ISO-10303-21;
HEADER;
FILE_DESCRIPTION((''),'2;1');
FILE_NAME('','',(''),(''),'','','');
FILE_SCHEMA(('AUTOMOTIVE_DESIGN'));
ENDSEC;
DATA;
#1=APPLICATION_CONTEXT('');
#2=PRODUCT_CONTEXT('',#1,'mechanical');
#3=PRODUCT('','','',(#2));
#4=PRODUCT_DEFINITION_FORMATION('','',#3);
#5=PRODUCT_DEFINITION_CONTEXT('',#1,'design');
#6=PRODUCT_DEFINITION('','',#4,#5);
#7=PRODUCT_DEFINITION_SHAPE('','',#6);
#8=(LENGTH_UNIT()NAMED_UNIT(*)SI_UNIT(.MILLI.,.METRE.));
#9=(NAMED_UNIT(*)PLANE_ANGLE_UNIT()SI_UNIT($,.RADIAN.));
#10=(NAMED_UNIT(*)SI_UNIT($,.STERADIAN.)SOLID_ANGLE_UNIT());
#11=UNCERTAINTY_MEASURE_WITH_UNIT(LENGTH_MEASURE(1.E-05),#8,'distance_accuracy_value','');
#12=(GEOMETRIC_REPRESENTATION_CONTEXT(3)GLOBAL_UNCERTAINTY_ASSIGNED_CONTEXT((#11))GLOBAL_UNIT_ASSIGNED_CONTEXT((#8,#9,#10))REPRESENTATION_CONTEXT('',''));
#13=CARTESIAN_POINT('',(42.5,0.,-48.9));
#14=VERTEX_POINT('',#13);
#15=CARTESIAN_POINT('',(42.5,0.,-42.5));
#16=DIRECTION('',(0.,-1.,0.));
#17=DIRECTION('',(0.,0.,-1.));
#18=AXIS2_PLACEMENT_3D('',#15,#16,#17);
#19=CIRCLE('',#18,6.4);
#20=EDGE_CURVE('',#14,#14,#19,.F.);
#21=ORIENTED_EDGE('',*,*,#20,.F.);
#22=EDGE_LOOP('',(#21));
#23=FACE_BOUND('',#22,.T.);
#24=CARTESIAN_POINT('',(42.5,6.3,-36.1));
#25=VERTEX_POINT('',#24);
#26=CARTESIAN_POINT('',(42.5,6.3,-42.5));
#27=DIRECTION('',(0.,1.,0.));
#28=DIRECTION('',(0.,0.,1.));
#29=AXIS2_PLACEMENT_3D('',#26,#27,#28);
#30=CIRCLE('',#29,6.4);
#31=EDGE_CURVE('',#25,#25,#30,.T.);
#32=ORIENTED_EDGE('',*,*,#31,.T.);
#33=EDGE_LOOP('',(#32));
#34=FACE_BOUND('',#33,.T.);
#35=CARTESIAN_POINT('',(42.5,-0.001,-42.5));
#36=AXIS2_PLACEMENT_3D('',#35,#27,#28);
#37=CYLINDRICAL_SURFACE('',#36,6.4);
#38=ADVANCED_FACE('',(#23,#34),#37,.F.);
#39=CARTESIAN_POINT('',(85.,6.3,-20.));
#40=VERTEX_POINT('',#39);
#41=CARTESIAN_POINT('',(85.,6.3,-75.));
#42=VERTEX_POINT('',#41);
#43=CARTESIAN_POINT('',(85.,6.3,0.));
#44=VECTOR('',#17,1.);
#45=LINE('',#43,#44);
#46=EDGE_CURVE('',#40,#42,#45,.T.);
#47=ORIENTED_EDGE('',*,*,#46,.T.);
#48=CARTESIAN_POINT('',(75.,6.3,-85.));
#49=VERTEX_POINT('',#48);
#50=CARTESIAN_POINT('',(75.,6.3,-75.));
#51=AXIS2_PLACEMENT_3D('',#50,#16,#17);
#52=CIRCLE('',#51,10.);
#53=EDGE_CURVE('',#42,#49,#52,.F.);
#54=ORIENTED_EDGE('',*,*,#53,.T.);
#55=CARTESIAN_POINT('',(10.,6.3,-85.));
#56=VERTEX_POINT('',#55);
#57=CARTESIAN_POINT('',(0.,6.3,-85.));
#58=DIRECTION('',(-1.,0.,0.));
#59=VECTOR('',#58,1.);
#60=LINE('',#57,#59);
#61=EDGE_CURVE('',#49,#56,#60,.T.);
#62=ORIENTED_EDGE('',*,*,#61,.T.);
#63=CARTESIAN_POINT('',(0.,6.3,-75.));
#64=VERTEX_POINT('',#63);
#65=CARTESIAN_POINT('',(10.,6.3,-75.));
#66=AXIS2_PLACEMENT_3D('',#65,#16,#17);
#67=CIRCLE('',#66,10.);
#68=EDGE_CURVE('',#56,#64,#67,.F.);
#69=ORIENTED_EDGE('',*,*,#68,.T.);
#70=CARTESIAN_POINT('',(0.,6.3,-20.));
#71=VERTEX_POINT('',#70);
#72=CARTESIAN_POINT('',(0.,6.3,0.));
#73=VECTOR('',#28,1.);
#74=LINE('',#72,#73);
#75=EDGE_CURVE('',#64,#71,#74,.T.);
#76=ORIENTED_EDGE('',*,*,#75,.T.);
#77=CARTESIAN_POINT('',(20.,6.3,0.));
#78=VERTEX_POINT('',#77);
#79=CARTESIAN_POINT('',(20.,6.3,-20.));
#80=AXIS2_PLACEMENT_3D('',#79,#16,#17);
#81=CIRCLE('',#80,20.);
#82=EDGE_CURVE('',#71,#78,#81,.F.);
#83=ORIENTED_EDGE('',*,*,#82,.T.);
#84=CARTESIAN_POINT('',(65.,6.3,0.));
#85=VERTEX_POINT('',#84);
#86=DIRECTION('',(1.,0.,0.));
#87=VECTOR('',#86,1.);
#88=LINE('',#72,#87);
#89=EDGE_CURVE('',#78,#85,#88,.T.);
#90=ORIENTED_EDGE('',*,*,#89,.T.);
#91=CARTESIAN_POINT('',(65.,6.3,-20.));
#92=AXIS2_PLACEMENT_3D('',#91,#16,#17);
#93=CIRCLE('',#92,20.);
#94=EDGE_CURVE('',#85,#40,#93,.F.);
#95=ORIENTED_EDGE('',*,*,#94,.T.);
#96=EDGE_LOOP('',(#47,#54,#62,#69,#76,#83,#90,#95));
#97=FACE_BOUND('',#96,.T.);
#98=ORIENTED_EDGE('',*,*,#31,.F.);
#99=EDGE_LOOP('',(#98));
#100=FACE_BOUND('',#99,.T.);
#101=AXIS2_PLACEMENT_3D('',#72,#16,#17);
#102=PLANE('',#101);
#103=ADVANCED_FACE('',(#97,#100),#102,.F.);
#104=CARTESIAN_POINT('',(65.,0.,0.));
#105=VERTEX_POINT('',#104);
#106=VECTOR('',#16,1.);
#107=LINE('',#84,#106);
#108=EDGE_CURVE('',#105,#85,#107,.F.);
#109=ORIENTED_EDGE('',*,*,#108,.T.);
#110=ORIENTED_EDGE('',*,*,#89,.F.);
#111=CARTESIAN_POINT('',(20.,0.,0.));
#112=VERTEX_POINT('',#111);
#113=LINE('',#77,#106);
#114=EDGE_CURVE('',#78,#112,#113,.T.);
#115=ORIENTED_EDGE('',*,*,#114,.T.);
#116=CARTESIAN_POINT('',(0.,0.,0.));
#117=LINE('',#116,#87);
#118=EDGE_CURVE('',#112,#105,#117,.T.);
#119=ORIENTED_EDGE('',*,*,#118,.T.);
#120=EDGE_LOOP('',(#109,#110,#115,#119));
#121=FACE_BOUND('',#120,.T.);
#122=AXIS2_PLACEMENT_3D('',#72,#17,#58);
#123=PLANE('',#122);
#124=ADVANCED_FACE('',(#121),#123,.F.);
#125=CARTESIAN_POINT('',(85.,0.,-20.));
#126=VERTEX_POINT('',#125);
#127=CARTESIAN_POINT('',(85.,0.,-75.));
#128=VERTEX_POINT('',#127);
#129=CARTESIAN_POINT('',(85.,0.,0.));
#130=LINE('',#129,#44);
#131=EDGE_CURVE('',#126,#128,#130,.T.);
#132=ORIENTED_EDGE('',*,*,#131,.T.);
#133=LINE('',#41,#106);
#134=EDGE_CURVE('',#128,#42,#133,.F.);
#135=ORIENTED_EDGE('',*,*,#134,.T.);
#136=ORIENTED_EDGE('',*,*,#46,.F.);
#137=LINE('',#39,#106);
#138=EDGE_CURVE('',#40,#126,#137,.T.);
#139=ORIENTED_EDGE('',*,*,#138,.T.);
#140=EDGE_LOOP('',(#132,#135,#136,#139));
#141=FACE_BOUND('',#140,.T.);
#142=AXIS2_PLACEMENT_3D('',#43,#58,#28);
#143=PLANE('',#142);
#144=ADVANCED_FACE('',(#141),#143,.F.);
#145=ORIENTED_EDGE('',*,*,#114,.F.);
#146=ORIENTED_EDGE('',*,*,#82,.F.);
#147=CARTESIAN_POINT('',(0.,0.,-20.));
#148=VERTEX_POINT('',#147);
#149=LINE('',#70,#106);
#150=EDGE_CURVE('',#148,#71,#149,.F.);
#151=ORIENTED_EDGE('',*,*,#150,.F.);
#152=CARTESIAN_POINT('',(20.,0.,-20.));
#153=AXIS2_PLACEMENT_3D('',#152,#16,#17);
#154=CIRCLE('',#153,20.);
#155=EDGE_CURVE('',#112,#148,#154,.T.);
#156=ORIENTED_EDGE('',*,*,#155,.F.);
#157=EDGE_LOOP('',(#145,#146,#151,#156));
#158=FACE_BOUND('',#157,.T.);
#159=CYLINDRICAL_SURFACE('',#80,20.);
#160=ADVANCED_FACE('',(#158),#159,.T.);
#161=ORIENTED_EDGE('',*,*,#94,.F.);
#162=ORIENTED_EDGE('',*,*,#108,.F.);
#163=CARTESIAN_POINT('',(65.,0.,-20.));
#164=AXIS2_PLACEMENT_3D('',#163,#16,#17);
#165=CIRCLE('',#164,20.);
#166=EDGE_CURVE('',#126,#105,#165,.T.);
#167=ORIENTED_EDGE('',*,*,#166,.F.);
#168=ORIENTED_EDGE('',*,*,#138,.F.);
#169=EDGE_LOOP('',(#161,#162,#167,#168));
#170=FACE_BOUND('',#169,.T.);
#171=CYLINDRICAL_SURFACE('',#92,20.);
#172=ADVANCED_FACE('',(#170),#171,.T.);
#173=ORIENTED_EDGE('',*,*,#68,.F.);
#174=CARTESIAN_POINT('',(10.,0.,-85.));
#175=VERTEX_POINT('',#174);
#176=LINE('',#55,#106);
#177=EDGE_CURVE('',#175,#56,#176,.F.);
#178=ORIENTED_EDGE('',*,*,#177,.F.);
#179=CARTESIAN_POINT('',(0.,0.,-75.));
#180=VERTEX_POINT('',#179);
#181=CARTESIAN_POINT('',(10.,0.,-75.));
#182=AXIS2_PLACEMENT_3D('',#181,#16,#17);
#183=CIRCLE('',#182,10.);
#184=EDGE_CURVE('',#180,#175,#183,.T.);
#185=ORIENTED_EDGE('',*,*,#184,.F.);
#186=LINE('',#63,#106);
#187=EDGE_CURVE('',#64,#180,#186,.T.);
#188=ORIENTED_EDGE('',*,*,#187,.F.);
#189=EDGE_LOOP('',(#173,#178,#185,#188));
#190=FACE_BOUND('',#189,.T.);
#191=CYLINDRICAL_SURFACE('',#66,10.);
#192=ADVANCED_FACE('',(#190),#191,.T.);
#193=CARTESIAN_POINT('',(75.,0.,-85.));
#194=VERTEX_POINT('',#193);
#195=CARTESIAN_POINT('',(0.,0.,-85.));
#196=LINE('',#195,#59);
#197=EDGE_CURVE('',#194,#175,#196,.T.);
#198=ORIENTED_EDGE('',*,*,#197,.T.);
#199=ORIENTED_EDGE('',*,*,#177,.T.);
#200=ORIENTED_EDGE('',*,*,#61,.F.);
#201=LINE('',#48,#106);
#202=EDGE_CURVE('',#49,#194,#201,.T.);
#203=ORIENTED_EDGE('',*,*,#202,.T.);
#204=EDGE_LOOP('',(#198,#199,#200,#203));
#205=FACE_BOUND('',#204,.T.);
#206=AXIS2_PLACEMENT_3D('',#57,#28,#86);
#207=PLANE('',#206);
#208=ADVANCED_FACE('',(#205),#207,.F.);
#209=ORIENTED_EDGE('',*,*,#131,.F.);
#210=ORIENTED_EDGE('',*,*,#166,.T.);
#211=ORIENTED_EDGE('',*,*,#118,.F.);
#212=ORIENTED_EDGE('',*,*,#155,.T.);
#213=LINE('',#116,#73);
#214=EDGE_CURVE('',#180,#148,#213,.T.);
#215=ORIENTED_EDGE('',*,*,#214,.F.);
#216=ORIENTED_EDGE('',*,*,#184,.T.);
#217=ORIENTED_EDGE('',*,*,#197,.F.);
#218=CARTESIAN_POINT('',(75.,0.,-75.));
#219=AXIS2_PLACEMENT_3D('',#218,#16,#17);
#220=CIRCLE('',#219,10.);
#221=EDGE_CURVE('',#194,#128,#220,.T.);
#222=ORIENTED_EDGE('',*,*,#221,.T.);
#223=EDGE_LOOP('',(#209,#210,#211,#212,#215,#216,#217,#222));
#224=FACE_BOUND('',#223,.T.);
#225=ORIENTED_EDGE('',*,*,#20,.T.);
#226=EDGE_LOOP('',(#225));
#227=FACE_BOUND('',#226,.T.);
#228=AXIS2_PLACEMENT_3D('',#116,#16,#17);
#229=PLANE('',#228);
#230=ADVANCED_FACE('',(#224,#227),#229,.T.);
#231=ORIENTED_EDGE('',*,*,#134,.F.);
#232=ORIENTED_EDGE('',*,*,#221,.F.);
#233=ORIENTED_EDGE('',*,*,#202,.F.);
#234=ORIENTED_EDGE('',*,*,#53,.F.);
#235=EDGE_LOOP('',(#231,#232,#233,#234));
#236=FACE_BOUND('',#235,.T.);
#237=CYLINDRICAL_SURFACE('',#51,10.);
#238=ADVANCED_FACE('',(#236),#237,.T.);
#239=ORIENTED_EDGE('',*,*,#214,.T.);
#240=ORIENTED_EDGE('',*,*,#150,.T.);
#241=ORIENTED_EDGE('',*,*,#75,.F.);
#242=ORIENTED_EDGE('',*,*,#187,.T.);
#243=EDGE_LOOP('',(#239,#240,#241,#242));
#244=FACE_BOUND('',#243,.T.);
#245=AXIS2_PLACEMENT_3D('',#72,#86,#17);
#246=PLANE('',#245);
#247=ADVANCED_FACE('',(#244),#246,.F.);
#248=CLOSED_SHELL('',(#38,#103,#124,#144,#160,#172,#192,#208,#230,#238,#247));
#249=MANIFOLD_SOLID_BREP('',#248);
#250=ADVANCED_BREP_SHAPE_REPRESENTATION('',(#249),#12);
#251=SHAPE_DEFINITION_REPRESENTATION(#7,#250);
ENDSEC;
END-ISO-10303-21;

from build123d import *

# Parameters (mm, degrees)
SKETCH1_W           = 85
SKETCH1_H           = 85
BOSS_EXTRUDE1_DEPTH = 6.3
CUT_EXTRUDE1_REACH  = 8.3
SKETCH2_R           = 6.4
FILLET1_R           = 10
FILLET2_R           = 20


with BuildPart() as part:
    # Sketch1 → Boss-Extrude1 (new body)
    with BuildSketch(Plane(origin=(0, 0, 0), x_dir=(1, 0, 0), z_dir=(0, 1, 0))):
        with Locations((42.5, 42.5)):
            Rectangle(SKETCH1_W, SKETCH1_H)
    extrude(amount=BOSS_EXTRUDE1_DEPTH)

    # Sketch2 → Cut-Extrude1 (cut, up to next)
    with BuildSketch(Plane(origin=(0, 6.3, 0), x_dir=(1, 0, 0), z_dir=(0, 1, 0)), mode=Mode.PRIVATE) as cut_extrude1_sk1:
        with Locations((42.5, 42.5)):
            Circle(SKETCH2_R)
    cut_extrude1_tool1 = extrude(cut_extrude1_sk1.sketch, amount=-CUT_EXTRUDE1_REACH, mode=Mode.PRIVATE) & part.part
    add(cut_extrude1_tool1.solids().sort_by_distance((42.5, 6.3, -42.5))[0], mode=Mode.SUBTRACT)

    # Fillet1
    fillet1_edges = [part.edges().sort_by_distance(p)[0] for p in [
        (0, 3.15, -85),
        (85, 3.15, -85),
    ]]
    fillet(fillet1_edges, radius=FILLET1_R)

    # Fillet2
    fillet2_edges = [part.edges().sort_by_distance(p)[0] for p in [
        (85, 3.15, 0),
        (0, 3.15, 0),
    ]]
    fillet(fillet2_edges, radius=FILLET2_R)


solid = part.part
